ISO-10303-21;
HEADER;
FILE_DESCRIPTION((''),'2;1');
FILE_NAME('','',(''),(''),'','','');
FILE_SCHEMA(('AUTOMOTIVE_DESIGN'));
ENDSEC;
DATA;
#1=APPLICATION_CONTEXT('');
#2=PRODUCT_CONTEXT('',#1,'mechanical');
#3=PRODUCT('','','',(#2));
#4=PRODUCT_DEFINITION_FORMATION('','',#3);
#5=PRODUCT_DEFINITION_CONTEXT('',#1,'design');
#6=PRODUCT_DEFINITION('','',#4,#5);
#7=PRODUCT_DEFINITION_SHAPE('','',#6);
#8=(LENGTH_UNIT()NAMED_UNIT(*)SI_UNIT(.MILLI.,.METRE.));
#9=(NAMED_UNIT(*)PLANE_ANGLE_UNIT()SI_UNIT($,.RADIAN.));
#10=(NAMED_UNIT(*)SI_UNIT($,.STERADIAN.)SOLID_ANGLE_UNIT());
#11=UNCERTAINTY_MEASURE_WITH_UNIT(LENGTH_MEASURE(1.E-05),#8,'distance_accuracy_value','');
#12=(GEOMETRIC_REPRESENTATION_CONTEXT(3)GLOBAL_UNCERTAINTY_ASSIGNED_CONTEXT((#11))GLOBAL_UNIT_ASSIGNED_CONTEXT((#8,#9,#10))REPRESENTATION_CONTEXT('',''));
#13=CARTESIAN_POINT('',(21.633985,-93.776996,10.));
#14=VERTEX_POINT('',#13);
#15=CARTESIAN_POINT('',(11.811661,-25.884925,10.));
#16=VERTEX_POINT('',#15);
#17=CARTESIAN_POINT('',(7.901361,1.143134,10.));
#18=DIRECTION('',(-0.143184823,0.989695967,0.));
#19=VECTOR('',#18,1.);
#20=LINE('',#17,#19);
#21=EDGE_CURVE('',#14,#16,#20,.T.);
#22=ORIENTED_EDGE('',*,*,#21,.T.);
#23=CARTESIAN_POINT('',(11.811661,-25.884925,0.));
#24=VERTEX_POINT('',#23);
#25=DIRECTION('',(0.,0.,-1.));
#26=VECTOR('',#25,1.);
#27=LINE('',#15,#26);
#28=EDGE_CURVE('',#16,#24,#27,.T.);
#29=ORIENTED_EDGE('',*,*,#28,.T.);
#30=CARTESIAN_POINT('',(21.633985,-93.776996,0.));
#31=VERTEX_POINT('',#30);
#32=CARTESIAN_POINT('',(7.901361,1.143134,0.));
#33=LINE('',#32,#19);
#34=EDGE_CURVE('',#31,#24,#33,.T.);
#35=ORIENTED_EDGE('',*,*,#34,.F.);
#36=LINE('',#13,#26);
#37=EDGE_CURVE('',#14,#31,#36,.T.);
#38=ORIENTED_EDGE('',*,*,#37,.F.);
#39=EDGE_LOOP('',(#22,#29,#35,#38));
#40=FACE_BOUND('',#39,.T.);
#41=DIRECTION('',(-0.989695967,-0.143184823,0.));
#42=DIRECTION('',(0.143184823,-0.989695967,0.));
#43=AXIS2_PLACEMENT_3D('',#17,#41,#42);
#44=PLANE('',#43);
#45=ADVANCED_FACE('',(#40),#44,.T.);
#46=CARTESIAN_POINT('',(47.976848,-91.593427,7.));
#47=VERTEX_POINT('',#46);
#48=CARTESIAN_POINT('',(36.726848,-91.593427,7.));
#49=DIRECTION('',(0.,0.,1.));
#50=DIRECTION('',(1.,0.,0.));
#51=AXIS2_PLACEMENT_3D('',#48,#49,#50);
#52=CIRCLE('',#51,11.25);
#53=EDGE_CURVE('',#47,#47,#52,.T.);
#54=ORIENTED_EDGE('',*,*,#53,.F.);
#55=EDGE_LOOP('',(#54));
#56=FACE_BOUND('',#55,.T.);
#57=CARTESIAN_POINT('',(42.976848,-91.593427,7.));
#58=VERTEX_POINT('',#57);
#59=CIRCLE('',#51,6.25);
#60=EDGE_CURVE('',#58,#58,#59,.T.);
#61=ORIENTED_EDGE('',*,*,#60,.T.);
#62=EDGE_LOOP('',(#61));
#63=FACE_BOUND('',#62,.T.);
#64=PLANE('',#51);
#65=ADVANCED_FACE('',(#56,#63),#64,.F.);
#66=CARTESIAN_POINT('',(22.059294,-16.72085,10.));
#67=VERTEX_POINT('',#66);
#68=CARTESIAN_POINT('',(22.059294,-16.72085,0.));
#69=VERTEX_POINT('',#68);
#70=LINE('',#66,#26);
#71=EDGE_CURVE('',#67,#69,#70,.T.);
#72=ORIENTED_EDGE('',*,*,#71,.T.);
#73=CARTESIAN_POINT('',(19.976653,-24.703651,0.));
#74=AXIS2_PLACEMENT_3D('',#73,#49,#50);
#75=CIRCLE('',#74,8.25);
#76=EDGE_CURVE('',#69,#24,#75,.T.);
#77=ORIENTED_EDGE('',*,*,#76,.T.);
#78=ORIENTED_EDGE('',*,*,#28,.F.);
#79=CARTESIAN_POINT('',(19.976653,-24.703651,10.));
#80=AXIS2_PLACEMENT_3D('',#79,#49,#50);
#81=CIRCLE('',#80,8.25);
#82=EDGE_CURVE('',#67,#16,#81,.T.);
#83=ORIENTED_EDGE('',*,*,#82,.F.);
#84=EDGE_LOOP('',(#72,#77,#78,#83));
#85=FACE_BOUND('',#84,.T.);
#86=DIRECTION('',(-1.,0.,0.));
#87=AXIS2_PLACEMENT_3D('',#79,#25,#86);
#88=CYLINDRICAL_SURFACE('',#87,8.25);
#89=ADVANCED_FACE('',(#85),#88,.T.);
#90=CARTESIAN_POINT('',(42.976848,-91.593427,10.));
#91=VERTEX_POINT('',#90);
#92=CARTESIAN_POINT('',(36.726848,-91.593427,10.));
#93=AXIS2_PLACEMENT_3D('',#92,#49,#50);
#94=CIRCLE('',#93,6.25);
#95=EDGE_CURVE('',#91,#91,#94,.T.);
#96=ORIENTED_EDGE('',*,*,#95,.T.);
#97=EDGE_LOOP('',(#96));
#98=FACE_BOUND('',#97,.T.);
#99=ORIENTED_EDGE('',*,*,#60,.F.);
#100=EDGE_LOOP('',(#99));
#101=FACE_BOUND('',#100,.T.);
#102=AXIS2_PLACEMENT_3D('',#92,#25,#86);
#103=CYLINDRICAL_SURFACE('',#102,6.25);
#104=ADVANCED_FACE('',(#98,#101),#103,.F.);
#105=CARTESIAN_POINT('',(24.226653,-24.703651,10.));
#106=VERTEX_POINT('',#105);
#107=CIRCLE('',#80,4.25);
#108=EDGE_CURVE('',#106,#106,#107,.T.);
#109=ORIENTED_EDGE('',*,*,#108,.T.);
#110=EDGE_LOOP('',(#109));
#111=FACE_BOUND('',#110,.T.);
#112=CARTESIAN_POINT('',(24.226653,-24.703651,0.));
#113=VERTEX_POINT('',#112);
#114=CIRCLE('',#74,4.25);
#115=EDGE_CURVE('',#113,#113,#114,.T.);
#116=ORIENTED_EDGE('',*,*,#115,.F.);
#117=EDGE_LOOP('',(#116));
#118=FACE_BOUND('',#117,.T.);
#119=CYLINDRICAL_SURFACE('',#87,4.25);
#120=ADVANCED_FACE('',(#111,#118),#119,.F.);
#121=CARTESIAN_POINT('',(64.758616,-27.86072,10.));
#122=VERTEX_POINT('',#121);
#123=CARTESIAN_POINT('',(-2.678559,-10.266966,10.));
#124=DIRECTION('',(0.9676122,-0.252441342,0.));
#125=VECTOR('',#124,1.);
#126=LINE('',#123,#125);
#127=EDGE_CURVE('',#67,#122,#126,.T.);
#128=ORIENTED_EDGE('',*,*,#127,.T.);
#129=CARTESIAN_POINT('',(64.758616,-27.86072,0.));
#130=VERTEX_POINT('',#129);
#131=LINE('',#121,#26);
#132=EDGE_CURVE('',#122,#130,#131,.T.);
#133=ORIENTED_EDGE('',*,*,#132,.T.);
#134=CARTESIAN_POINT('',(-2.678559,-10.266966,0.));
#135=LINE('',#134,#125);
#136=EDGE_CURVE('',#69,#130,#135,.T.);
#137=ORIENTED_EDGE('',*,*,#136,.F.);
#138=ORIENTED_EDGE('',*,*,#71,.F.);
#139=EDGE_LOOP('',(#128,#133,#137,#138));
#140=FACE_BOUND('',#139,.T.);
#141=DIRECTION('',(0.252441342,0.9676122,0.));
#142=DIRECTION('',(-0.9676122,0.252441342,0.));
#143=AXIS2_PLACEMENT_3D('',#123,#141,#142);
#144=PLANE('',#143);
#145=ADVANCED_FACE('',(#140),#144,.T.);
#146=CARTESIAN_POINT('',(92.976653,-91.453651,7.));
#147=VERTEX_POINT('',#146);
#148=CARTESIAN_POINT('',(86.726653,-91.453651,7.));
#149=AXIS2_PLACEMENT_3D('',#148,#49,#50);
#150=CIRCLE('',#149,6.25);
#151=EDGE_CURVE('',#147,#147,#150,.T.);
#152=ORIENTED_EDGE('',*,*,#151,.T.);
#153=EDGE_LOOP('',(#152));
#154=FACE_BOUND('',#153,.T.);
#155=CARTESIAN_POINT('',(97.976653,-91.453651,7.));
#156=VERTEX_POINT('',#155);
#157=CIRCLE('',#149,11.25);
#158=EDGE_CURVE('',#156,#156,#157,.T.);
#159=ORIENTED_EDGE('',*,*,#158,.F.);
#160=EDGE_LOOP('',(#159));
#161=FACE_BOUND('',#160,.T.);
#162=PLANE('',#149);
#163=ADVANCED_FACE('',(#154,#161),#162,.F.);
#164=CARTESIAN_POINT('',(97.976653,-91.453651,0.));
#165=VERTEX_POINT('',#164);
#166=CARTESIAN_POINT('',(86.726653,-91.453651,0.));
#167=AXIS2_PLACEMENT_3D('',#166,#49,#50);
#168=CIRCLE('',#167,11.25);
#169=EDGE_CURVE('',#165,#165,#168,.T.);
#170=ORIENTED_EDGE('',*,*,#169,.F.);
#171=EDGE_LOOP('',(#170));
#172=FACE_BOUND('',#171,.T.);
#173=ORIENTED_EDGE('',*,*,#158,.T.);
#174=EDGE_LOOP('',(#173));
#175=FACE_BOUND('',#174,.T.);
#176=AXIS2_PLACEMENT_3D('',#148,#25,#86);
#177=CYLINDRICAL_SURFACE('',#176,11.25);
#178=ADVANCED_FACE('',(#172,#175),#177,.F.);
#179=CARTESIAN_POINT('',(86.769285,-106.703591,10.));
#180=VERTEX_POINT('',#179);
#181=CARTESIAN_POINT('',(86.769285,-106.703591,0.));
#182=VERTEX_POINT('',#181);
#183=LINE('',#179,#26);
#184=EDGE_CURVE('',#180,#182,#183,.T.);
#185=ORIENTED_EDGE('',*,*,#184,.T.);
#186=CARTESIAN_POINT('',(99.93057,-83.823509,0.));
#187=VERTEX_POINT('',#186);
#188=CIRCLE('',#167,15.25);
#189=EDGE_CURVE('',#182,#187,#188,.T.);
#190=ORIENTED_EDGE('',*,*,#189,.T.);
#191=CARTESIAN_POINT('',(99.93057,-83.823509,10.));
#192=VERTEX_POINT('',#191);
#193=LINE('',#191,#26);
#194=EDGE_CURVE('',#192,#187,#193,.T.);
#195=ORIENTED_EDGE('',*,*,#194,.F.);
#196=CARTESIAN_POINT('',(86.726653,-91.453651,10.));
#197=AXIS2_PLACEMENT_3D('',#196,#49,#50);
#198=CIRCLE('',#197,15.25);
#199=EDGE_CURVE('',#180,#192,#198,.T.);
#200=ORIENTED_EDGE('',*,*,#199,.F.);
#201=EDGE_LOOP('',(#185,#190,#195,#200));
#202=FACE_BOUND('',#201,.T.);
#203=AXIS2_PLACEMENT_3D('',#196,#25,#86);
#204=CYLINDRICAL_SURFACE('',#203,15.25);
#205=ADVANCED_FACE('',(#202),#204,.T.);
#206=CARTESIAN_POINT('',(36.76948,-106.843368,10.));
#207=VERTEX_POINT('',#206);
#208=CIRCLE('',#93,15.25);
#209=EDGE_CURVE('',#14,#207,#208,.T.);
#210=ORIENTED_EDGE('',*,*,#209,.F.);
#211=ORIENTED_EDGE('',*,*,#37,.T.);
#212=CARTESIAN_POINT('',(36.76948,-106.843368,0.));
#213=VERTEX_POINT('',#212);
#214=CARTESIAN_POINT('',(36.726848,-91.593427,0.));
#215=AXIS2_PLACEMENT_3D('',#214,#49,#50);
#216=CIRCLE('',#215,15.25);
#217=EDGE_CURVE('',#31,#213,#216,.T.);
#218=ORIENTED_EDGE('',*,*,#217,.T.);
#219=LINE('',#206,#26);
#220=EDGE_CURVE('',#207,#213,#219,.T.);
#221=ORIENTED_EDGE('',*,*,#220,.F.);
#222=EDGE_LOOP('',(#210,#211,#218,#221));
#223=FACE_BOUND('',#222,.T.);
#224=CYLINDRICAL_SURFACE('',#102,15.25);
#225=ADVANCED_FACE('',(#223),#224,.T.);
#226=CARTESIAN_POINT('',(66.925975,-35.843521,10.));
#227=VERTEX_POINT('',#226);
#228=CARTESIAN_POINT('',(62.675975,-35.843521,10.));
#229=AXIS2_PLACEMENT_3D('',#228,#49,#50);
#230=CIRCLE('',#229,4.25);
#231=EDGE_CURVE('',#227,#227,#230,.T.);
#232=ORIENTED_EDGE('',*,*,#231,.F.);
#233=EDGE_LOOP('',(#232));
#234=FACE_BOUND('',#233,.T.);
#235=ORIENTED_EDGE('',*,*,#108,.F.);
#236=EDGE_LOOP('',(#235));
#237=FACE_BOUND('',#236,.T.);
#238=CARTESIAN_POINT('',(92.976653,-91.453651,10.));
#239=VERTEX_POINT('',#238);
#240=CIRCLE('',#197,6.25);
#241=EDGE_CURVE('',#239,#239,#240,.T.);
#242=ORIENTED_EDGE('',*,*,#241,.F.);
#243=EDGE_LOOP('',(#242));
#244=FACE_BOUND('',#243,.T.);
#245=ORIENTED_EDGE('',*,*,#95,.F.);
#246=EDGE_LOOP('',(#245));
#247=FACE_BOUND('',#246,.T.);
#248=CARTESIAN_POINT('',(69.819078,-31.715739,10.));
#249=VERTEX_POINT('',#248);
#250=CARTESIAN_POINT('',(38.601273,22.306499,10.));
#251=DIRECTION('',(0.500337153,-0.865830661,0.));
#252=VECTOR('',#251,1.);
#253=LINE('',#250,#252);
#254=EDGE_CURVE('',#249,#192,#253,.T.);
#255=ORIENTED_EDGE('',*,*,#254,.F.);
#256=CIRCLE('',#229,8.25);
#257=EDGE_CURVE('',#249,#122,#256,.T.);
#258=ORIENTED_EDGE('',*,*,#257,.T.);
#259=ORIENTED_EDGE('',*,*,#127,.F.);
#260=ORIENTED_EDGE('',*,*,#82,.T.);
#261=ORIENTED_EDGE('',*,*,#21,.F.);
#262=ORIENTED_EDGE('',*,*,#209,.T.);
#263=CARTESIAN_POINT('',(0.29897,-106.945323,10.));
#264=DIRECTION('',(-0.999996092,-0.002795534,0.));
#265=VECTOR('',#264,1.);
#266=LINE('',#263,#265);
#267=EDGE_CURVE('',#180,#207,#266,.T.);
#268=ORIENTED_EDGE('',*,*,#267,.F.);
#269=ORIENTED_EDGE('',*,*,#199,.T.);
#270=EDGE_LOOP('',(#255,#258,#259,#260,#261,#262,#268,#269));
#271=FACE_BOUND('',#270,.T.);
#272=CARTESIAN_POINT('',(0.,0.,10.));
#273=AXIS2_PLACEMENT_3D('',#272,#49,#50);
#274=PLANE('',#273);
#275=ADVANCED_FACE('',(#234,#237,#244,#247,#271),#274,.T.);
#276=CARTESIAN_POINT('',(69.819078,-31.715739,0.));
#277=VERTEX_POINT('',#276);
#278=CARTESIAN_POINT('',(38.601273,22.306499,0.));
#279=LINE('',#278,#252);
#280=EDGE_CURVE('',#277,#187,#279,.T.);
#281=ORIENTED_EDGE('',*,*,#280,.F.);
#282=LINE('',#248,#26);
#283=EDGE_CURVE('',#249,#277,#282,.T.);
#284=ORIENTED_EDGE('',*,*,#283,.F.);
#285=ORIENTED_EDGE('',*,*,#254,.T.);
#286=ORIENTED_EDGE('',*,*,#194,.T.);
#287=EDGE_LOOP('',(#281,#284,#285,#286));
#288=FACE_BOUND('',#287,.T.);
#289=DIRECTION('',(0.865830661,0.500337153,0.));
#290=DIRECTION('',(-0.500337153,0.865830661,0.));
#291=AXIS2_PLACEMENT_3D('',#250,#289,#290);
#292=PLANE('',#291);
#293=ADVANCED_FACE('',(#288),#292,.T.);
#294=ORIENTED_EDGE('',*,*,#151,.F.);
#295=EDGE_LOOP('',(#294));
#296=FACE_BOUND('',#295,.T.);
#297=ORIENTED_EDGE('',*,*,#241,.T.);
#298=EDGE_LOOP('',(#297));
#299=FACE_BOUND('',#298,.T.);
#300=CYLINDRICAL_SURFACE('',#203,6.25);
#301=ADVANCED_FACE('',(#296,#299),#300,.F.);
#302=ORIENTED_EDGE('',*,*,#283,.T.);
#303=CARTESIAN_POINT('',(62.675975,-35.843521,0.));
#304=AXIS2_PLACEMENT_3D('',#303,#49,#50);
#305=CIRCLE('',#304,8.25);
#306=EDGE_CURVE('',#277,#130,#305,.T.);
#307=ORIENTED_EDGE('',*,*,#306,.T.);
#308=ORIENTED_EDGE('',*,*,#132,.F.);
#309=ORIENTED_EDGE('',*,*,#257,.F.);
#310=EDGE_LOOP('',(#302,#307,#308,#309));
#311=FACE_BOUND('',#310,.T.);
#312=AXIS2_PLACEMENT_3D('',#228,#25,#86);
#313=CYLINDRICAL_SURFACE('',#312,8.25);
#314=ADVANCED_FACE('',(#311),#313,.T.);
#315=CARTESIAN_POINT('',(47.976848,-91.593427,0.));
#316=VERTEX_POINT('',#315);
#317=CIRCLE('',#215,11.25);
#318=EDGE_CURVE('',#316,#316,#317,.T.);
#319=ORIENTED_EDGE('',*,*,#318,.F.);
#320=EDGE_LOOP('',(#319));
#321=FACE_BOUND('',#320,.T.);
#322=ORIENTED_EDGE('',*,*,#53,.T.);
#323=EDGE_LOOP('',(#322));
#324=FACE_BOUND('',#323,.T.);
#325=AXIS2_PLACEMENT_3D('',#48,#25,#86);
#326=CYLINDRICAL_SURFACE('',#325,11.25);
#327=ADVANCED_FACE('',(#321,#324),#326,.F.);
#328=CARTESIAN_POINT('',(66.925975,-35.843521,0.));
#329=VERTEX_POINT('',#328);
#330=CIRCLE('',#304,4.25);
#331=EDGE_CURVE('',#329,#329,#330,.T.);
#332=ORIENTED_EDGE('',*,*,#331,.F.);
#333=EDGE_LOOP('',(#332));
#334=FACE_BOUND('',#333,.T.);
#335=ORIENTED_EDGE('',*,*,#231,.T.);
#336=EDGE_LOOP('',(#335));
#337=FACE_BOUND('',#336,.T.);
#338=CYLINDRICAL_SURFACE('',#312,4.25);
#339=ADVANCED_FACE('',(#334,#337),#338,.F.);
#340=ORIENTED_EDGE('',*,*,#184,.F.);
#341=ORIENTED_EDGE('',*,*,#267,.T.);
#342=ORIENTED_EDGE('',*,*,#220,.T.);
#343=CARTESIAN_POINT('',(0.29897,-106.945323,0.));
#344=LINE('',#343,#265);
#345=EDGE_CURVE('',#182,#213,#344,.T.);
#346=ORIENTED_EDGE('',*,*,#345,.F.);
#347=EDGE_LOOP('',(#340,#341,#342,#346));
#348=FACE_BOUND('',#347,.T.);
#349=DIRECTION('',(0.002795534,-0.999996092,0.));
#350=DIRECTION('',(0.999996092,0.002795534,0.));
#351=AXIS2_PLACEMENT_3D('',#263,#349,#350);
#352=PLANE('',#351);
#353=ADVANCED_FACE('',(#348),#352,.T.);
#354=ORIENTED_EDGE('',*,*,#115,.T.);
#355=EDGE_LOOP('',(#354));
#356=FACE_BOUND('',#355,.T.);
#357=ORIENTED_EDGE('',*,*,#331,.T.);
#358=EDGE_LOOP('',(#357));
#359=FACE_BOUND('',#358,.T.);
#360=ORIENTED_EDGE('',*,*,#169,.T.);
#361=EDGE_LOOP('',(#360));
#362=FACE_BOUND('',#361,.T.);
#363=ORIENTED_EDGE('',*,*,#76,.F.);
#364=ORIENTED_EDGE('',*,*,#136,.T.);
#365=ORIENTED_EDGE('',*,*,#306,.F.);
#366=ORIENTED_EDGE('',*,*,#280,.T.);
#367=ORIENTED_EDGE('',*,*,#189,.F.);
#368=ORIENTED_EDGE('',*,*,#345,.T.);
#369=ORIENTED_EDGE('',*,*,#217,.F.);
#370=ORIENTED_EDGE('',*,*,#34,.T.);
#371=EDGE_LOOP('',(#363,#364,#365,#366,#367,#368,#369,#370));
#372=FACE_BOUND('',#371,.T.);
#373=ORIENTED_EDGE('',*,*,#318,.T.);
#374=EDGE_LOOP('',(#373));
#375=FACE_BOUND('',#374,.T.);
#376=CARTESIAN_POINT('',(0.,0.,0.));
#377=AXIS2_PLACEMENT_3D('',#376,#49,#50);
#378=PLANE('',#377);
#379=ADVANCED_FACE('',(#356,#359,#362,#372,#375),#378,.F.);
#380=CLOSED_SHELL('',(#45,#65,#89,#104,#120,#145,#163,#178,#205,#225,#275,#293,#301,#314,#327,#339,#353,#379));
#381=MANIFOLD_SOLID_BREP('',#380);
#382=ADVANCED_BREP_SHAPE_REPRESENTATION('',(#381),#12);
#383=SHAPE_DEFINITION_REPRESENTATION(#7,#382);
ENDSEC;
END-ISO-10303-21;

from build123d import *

# Parameters (mm, degrees)
SKETCH1_R           = 8.25
SKETCH1_R_2         = 4.25
SKETCH1_R_3         = 15.25
SKETCH1_R_4         = 11.25
SKETCH1_R_5         = 6.25
BOSS_EXTRUDE2_DEPTH = 10
SKETCH1_5_R         = 11.25
CUT_EXTRUDE5_DEPTH  = 7


with BuildPart() as part:
    # Sketch1 → Boss-Extrude2 (new body)
    # profile 1 of 7: a face of its own
    with BuildSketch(Plane.XY):
        with BuildLine():
            Line((64.758616135, -27.860720154), (22.059293714, -16.720850027))
            ThreePointArc((22.059293714, -16.720850027), (26.505216378, -19.659807339), (28.226652646, -24.703650675))
            ThreePointArc((28.226652646, -24.703650675), (20.56881743, -32.932371163), (11.81166092, -25.884925461))
            Line((11.81166092, -25.884925461), (21.633984529, -93.776995906))
            ThreePointArc((21.633984529, -93.776995906), (35.63224039, -76.382762218), (51.976848021, -91.593427362))
            ThreePointArc((51.976848021, -91.593427362), (47.525288564, -102.361722577), (36.769479911, -106.843367773))
            Line((36.769479911, -106.843367773), (86.769284535, -106.703591085))
            ThreePointArc((86.769284535, -106.703591085), (73.507639588, -83.849691589), (99.930570224, -83.823509091))
            Line((99.930570224, -83.823509091), (69.819078019, -31.715739289))
            ThreePointArc((69.819078019, -31.715739289), (70.644447296, -33.706712359), (70.925975067, -35.843520802))
            ThreePointArc((70.925975067, -35.843520802), (56.147411334, -40.887364137), (64.758616135, -27.860720154))
        make_face()
    # profile 2 of 7: a face of its own
    with BuildSketch(Plane.XY):
        with Locations((62.675975067, -35.843520802)):
            Circle(SKETCH1_R)
        with Locations((62.675975067, -35.843520802)):
            Circle(SKETCH1_R_2, mode=Mode.SUBTRACT)
    # profile 3 of 7: a face of its own
    with BuildSketch(Plane.XY):
        with Locations((36.726848021, -91.593427362)):
            Circle(SKETCH1_R_3)
        with Locations((36.726848021, -91.593427362)):
            Circle(SKETCH1_R_4, mode=Mode.SUBTRACT)
    # profile 4 of 7: a face of its own
    with BuildSketch(Plane.XY):
        with Locations((86.726652646, -91.453650675)):
            Circle(SKETCH1_R_3)
        with Locations((86.726652646, -91.453650675)):
            Circle(SKETCH1_R_4, mode=Mode.SUBTRACT)
    # profile 5 of 7: a face of its own
    with BuildSketch(Plane.XY):
        with Locations((19.976652646, -24.703650675)):
            Circle(SKETCH1_R)
        with Locations((19.976652646, -24.703650675)):
            Circle(SKETCH1_R_2, mode=Mode.SUBTRACT)
    # profile 6 of 7: a face of its own
    with BuildSketch(Plane.XY):
        with Locations((36.726848021, -91.593427362)):
            Circle(SKETCH1_R_4)
        with Locations((36.726848021, -91.593427362)):
            Circle(SKETCH1_R_5, mode=Mode.SUBTRACT)
    # profile 7 of 7: a face of its own
    with BuildSketch(Plane.XY):
        with Locations((86.726652646, -91.453650675)):
            Circle(SKETCH1_R_4)
        with Locations((86.726652646, -91.453650675)):
            Circle(SKETCH1_R_5, mode=Mode.SUBTRACT)
    extrude(amount=BOSS_EXTRUDE2_DEPTH)

    # Sketch1<5> → Cut-Extrude5 (cut)
    with BuildSketch(Plane.XY):
        with Locations((86.726652646, -91.453650675)):
            Circle(SKETCH1_5_R)
        with Locations((36.726848021, -91.593427362)):
            Circle(SKETCH1_5_R)
    extrude(amount=CUT_EXTRUDE5_DEPTH, mode=Mode.SUBTRACT)


solid = part.part
